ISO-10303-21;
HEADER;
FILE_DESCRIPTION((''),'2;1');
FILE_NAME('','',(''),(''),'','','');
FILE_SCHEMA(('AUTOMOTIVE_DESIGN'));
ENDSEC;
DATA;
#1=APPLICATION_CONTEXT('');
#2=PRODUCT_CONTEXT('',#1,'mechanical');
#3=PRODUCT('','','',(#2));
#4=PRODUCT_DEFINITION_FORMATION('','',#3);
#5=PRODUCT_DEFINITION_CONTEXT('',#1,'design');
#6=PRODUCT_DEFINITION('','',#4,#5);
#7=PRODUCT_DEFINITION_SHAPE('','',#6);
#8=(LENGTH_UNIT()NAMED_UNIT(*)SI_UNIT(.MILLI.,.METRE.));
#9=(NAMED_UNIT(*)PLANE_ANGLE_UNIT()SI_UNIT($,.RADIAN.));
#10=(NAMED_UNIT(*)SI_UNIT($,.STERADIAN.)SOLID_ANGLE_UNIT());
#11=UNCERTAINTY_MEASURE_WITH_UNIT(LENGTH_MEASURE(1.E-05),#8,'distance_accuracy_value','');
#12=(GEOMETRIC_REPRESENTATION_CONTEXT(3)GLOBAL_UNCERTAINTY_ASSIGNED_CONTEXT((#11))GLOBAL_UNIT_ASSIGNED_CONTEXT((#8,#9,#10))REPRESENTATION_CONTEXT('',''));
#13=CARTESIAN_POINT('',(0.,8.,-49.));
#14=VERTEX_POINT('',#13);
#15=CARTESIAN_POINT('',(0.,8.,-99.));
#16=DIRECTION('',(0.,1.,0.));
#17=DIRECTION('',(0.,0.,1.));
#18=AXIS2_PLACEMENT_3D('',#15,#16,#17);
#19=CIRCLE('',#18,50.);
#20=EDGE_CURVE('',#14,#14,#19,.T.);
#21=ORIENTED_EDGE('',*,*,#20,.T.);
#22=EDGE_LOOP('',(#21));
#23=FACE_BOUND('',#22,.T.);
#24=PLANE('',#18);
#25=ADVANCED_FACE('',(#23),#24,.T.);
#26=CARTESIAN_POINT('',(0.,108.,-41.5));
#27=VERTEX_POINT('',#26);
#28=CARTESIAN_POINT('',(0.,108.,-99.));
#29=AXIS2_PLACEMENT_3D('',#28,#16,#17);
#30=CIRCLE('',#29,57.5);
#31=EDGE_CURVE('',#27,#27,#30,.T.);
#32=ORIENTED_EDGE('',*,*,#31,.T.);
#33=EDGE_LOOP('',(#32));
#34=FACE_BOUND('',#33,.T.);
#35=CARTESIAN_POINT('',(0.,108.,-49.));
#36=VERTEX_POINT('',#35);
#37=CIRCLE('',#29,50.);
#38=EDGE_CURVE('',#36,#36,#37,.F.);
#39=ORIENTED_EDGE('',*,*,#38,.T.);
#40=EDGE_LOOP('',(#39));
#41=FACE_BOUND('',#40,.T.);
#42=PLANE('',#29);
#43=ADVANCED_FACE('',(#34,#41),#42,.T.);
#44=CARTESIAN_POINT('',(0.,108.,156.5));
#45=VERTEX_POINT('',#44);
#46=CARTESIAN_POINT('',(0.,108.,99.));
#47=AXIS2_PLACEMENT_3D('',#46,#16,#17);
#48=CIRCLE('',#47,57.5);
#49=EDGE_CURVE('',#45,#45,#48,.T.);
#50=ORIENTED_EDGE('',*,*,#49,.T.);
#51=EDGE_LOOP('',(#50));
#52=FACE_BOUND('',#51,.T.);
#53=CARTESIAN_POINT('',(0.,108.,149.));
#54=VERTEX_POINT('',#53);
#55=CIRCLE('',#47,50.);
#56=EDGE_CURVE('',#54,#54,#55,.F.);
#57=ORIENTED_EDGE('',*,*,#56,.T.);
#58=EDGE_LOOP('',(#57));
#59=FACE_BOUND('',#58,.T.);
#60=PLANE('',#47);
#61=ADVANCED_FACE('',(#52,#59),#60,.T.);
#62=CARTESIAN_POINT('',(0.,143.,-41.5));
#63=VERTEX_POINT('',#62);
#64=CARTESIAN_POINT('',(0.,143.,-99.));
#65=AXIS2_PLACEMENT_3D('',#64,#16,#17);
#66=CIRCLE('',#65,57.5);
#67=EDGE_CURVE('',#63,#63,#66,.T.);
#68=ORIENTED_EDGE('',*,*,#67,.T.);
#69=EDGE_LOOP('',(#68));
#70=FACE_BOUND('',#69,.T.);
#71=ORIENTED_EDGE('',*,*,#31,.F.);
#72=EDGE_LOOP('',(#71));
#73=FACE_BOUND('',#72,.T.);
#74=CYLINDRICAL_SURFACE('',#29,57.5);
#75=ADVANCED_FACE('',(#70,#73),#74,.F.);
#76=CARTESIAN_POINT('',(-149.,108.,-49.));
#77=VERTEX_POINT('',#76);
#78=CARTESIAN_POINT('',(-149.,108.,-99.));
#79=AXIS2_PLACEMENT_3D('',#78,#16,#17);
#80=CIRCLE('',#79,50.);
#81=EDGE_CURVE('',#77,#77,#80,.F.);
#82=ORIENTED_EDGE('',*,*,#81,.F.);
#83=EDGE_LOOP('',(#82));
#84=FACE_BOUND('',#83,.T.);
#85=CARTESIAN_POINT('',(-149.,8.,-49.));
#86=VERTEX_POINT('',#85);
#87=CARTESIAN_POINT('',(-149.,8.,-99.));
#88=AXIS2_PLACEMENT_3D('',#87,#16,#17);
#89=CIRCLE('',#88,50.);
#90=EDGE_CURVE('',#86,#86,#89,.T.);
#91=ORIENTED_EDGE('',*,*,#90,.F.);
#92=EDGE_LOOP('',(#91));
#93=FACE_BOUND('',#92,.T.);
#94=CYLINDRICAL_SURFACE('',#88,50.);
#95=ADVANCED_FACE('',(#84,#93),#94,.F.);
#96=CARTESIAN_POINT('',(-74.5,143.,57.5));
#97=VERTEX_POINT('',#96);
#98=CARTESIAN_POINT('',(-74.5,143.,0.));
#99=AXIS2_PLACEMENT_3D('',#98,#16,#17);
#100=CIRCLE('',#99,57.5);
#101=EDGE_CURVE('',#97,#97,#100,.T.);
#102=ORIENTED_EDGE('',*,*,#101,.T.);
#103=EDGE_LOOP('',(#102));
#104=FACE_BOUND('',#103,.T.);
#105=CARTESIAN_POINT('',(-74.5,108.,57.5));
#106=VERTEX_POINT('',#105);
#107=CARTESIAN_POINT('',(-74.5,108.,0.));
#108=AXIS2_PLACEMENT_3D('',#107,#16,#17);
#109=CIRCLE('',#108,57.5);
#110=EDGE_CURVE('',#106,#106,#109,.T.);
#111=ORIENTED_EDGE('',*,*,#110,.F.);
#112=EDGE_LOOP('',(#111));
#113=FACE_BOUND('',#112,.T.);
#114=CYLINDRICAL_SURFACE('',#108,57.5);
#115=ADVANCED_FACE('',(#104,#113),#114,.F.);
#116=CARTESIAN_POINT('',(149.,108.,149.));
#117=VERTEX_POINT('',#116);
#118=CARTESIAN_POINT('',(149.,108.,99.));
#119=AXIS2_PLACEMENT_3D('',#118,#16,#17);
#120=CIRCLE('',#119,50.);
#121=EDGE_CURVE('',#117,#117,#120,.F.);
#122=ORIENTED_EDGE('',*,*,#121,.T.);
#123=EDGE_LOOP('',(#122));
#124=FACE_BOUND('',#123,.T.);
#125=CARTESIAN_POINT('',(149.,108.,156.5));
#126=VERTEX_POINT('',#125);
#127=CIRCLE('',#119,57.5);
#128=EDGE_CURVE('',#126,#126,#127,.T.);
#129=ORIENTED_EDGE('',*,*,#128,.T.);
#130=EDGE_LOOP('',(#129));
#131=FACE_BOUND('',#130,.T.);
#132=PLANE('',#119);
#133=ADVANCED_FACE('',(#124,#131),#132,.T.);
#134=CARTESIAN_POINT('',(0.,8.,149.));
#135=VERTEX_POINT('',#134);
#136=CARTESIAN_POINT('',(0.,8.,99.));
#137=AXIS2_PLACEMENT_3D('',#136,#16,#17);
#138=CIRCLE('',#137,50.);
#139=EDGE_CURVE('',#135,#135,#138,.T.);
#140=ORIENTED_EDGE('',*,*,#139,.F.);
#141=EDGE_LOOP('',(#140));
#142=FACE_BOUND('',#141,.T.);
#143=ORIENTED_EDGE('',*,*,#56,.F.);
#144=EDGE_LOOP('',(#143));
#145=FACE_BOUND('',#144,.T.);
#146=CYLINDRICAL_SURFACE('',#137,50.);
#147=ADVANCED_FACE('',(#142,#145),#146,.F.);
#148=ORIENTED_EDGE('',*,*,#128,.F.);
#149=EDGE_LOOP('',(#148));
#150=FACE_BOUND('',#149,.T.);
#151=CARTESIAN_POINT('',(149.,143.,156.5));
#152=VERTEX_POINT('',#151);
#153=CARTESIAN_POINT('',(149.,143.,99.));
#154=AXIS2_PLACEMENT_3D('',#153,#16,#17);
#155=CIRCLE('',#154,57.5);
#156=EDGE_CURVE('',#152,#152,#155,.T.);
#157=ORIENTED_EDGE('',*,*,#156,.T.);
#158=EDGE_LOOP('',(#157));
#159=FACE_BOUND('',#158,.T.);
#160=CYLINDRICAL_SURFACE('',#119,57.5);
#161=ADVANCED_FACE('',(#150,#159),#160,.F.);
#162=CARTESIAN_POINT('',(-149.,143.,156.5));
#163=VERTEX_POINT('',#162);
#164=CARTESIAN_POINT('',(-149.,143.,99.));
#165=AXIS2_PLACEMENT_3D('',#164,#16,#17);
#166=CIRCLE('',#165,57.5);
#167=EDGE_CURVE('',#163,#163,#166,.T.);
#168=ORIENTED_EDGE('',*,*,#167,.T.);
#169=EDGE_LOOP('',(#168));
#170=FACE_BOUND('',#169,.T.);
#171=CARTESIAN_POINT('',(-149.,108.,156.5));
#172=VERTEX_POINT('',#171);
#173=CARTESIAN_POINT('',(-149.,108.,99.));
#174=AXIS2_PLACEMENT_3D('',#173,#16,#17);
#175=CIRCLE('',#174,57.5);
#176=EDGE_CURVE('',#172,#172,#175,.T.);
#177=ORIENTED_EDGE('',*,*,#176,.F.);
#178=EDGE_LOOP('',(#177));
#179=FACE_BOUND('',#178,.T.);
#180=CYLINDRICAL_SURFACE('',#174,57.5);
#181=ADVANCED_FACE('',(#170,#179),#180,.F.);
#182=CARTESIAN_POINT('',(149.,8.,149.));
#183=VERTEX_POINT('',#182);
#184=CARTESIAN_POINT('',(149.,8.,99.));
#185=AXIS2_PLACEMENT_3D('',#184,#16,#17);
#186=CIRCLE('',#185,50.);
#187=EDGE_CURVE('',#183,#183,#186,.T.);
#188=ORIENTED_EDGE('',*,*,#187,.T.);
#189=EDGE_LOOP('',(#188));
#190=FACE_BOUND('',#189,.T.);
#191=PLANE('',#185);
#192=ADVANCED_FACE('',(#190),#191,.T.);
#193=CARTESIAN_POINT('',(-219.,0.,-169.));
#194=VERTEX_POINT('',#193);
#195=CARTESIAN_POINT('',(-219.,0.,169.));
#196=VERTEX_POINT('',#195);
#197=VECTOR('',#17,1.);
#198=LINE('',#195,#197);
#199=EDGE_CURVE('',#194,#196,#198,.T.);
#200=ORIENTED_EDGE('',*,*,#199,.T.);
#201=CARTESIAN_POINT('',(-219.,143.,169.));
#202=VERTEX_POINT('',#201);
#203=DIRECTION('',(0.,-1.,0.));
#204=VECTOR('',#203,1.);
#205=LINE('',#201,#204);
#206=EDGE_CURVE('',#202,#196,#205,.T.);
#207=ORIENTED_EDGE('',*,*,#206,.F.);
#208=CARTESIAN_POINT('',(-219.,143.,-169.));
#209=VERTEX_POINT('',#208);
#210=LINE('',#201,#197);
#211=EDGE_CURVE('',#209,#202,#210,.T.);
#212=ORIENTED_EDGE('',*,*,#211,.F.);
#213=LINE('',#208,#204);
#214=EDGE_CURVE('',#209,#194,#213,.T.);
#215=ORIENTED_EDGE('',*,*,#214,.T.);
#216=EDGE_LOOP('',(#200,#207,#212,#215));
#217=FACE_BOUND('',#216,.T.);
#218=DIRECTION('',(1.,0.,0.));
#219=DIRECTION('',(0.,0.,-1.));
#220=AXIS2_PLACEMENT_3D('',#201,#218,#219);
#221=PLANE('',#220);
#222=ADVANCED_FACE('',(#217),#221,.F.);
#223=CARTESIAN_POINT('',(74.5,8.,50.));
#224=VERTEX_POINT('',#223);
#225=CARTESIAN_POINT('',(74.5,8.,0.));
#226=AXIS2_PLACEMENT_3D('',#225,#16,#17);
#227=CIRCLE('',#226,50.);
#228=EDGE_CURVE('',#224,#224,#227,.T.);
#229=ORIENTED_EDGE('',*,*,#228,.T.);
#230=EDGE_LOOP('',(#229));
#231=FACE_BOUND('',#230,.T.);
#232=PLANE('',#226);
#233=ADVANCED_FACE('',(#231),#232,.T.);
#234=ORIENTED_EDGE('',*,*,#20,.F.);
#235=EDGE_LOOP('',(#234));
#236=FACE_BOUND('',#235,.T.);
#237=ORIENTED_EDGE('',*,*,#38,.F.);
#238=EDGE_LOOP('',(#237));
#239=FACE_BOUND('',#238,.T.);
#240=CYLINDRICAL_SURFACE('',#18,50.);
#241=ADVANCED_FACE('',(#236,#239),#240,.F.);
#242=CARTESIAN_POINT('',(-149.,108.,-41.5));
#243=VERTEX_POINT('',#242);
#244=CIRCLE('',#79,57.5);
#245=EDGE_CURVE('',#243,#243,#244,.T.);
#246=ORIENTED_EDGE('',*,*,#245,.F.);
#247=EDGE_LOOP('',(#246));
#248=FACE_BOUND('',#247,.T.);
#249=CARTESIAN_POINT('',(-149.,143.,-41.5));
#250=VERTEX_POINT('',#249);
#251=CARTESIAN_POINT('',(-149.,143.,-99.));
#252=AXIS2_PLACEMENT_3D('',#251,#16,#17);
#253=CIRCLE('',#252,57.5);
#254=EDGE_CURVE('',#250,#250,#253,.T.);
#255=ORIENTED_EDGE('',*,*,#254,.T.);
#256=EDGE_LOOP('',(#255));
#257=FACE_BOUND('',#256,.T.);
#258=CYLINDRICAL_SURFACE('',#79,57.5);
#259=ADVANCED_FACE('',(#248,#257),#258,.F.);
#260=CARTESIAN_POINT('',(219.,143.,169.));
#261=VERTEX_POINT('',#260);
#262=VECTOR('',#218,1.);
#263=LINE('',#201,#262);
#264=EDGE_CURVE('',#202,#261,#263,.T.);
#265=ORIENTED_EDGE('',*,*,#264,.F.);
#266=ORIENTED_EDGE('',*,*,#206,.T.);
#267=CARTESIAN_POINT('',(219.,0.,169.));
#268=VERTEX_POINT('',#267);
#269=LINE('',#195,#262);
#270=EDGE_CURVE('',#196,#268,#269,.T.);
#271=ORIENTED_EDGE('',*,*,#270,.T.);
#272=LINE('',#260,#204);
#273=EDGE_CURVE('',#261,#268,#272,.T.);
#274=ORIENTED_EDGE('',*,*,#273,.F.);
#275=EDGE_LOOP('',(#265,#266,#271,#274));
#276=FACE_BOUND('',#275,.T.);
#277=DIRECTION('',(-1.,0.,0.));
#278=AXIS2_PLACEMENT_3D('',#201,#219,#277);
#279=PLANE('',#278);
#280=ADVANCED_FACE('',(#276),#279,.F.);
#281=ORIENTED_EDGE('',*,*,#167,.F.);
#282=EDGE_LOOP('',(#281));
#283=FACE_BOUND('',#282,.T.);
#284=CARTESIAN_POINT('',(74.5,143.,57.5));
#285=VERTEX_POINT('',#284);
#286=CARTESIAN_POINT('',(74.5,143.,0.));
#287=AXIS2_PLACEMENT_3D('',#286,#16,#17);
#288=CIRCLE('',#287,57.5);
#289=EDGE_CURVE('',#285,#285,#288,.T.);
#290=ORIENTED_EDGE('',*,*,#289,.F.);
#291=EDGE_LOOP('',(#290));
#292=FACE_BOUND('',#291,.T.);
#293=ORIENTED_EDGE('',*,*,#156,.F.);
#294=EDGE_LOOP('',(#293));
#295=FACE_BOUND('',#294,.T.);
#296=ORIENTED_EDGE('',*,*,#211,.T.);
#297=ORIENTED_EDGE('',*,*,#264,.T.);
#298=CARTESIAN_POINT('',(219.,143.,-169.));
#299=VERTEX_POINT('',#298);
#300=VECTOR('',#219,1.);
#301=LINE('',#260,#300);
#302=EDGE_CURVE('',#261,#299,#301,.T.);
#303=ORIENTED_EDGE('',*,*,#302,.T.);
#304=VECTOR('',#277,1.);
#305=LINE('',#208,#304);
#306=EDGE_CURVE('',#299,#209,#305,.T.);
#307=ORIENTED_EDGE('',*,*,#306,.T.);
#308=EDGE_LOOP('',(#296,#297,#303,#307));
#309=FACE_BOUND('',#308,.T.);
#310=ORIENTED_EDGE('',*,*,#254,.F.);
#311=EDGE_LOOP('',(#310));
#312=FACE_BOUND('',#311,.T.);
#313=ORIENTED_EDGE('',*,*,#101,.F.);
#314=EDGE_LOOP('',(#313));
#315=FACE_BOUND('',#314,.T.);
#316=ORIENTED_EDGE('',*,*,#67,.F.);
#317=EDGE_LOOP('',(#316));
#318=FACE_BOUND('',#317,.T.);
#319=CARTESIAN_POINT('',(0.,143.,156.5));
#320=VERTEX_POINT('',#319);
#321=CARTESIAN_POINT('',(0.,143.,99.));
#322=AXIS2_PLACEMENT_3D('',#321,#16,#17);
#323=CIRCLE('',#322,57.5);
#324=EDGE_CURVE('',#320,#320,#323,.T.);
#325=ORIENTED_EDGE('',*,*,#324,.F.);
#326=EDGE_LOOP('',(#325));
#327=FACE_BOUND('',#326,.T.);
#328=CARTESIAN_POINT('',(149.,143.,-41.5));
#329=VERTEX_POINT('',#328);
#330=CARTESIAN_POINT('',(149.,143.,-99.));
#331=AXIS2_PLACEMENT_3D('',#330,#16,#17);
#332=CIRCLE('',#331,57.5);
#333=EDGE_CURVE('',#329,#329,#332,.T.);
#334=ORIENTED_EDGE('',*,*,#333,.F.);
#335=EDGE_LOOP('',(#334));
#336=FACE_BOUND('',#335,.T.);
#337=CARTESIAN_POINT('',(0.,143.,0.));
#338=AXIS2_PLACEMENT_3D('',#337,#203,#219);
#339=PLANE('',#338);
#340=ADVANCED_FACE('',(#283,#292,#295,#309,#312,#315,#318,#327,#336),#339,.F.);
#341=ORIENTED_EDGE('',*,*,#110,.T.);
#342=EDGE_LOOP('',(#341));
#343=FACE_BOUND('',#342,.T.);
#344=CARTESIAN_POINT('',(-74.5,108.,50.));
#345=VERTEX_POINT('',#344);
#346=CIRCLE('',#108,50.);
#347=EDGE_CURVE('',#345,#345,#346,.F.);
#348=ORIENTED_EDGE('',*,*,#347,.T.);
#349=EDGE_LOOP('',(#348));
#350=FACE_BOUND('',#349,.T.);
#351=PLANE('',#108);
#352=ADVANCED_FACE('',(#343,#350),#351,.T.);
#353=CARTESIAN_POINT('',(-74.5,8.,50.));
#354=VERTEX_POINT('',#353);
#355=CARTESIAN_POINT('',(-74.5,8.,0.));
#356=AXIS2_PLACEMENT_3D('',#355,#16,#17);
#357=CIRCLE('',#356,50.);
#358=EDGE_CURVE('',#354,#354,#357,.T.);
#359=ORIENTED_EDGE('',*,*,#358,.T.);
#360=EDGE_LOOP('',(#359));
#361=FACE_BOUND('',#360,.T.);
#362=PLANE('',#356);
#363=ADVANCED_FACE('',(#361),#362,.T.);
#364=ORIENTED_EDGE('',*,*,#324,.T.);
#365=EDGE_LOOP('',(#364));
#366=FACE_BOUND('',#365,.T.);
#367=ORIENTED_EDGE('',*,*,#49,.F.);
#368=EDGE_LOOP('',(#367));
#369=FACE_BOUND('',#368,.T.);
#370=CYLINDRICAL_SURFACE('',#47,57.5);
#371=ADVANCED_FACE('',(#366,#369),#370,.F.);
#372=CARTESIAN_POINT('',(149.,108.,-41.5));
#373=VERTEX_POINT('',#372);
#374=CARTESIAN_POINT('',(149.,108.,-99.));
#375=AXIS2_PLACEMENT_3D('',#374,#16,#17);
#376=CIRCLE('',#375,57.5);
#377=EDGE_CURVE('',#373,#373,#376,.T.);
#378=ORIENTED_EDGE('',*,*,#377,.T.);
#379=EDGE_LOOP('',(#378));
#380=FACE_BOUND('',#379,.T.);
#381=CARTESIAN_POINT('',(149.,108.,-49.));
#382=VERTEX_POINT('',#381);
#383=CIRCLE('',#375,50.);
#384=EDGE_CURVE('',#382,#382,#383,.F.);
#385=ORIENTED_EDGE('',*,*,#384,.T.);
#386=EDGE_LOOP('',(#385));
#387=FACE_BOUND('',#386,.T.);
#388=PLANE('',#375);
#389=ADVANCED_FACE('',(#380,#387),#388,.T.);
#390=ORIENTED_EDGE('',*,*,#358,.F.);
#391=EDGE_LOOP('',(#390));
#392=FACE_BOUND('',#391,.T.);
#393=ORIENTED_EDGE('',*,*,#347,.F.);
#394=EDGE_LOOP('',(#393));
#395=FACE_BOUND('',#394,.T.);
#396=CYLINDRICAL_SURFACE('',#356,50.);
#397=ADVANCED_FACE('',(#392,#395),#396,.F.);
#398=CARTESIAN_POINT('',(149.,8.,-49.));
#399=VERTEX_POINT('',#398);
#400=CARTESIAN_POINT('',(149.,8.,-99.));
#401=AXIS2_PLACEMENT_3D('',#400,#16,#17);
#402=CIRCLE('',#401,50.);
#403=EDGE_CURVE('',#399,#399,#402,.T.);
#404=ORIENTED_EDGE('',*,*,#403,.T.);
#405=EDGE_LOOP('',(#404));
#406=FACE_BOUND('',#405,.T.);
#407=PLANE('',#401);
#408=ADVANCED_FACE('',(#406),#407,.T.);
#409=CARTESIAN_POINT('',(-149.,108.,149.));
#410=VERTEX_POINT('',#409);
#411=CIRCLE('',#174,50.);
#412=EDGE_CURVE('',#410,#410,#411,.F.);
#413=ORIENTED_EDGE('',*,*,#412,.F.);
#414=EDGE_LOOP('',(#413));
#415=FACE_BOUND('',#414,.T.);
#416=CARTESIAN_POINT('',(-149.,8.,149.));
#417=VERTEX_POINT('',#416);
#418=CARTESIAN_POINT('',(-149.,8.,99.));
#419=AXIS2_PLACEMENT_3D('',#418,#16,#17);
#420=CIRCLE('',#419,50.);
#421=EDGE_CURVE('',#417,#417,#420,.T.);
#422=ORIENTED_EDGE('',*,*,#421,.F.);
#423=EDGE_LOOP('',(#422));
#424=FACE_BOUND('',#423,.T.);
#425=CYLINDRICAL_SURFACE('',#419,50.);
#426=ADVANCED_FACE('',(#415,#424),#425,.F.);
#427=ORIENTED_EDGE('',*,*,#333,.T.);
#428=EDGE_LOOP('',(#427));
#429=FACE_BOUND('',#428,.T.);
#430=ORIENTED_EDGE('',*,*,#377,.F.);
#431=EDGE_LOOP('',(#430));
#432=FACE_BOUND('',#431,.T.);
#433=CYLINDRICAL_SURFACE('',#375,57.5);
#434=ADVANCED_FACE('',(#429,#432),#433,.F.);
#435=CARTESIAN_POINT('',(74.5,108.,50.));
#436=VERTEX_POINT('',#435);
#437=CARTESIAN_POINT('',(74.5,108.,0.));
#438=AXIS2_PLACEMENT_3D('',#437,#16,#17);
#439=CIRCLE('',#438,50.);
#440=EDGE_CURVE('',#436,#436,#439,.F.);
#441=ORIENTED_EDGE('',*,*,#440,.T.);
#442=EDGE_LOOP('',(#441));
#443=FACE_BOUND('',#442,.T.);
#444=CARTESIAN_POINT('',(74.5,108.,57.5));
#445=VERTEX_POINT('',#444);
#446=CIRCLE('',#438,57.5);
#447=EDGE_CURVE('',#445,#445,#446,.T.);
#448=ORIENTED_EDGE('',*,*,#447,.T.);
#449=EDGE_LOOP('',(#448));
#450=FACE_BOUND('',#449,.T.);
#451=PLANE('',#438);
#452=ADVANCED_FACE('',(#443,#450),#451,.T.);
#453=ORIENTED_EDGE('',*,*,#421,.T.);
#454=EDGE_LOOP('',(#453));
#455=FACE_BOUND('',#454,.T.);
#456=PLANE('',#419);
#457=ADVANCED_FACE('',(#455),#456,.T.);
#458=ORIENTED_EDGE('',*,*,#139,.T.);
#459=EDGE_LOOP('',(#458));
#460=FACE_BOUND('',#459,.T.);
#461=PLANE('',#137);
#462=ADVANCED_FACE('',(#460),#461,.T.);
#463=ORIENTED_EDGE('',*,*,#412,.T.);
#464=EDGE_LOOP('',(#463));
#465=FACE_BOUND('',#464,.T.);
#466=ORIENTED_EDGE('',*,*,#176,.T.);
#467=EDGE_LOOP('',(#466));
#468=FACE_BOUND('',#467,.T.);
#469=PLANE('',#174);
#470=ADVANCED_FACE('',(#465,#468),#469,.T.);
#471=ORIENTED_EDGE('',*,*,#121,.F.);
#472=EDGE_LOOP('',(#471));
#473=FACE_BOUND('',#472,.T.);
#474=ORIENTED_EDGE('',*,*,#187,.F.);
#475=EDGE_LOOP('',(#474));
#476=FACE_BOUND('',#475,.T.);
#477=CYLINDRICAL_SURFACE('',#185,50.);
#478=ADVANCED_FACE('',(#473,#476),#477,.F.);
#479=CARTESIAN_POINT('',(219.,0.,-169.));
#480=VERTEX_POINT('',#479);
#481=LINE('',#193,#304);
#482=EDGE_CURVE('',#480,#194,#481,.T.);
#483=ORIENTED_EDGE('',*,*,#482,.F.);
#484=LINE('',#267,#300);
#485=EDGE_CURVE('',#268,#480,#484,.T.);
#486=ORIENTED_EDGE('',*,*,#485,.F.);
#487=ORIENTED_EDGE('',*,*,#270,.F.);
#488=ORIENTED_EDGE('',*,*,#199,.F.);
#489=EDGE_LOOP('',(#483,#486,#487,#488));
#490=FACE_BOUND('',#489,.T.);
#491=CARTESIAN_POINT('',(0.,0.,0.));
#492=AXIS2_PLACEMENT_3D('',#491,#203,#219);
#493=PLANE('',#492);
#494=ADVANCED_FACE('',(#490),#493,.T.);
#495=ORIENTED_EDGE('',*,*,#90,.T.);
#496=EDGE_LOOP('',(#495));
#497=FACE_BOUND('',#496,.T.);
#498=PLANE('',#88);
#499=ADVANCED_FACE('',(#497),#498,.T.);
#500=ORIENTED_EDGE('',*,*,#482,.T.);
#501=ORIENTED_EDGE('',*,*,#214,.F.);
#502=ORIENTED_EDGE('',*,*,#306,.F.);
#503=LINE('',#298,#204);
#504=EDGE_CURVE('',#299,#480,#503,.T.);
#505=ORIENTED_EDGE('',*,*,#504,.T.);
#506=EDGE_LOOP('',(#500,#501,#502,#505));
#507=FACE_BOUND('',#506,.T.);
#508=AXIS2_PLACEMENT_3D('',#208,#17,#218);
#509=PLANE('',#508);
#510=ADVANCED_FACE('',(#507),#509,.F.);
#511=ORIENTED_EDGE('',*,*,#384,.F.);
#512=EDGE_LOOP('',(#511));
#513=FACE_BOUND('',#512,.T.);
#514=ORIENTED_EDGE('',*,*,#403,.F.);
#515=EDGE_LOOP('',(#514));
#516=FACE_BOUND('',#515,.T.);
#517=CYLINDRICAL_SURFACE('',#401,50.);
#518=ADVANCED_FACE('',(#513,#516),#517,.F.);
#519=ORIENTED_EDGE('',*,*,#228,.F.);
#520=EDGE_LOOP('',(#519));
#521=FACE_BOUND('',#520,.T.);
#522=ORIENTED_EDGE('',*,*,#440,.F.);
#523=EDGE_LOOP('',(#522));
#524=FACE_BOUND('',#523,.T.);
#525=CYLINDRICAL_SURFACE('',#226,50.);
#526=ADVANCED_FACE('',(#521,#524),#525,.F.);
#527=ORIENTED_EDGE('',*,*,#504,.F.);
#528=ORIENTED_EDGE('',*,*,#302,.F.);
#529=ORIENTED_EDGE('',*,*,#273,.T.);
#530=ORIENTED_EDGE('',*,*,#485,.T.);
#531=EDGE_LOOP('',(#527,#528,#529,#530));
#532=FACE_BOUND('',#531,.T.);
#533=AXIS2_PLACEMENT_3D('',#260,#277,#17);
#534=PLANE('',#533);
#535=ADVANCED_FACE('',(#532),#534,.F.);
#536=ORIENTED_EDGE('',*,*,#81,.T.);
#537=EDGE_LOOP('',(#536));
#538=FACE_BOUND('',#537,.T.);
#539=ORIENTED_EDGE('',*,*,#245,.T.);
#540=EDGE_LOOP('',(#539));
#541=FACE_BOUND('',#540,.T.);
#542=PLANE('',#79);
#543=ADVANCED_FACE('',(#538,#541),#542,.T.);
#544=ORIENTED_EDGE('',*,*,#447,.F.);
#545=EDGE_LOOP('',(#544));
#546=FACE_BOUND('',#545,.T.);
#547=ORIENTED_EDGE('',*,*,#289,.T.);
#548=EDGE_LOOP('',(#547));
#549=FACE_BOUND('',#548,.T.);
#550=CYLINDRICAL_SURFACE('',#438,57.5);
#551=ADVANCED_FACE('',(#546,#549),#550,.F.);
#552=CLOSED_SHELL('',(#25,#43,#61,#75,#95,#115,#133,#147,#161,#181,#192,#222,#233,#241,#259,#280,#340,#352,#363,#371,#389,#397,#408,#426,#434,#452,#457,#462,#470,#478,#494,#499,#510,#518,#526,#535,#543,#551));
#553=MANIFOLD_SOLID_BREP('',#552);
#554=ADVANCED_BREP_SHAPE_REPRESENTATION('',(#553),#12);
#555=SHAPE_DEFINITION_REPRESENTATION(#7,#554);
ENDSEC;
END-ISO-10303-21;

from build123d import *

# Parameters (mm, degrees)
SKETCH_1_W          = 438
SKETCH_1_H          = 338
EXTRUDE_1_DEPTH     = 143
SKETCH_2_R          = 50
CUT_EXTRUDE_1_DEPTH = 135
SKETCH_4_R          = 57.5
CUT_EXTRUDE_2_DEPTH = 35


with BuildPart() as part:
    # Эскиз1 → Бобышка-Вытянуть1 (new body)
    with BuildSketch(Plane(origin=(0, 0, 0), x_dir=(1, 0, 0), z_dir=(0, 1, 0))):
        Rectangle(SKETCH_1_W, SKETCH_1_H)
    extrude(amount=EXTRUDE_1_DEPTH)

    # Эскиз2 → Вырез-Вытянуть1 (cut)
    with BuildSketch(Plane(origin=(0, 143, 0), x_dir=(1, 0, 0), z_dir=(0, 1, 0))):
        with Locations(Location((-149, 99, 0), (0, 0, 270))):
            Circle(SKETCH_2_R)
        with Locations(Location((0, 99, 0), (0, 0, 270))):
            Circle(SKETCH_2_R)
        with Locations(Location((0, -99, 0), (0, 0, 270))):
            Circle(SKETCH_2_R)
        with Locations(Location((-149, -99, 0), (0, 0, 270))):
            Circle(SKETCH_2_R)
        with Locations(Location((-74.5, 0, 0), (0, 0, 270))):
            Circle(SKETCH_2_R)
        with Locations(Location((149, 99, 0), (0, 0, 270))):
            Circle(SKETCH_2_R)
        with Locations(Location((149, -99, 0), (0, 0, 270))):
            Circle(SKETCH_2_R)
        with Locations(Location((74.5, 0, 0), (0, 0, 270))):
            Circle(SKETCH_2_R)
    extrude(amount=-CUT_EXTRUDE_1_DEPTH, mode=Mode.SUBTRACT)

    # Эскиз4 → Вырез-Вытянуть2 (cut)
    with BuildSketch(Plane(origin=(0, 143, 0), x_dir=(1, 0, 0), z_dir=(0, 1, 0))):
        with Locations(Location((-149, 99, 0), (0, 0, 270))):
            Circle(SKETCH_4_R)
        with Locations(Location((0, 99, 0), (0, 0, 270))):
            Circle(SKETCH_4_R)
        with Locations(Location((0, -99, 0), (0, 0, 270))):
            Circle(SKETCH_4_R)
        with Locations(Location((-149, -99, 0), (0, 0, 270))):
            Circle(SKETCH_4_R)
        with Locations(Location((-74.5, 0, 0), (0, 0, 270))):
            Circle(SKETCH_4_R)
        with Locations(Location((149, 99, 0), (0, 0, 270))):
            Circle(SKETCH_4_R)
        with Locations(Location((149, -99, 0), (0, 0, 270))):
            Circle(SKETCH_4_R)
        with Locations(Location((74.5, 0, 0), (0, 0, 270))):
            Circle(SKETCH_4_R)
    extrude(amount=-CUT_EXTRUDE_2_DEPTH, mode=Mode.SUBTRACT)


solid = part.part
